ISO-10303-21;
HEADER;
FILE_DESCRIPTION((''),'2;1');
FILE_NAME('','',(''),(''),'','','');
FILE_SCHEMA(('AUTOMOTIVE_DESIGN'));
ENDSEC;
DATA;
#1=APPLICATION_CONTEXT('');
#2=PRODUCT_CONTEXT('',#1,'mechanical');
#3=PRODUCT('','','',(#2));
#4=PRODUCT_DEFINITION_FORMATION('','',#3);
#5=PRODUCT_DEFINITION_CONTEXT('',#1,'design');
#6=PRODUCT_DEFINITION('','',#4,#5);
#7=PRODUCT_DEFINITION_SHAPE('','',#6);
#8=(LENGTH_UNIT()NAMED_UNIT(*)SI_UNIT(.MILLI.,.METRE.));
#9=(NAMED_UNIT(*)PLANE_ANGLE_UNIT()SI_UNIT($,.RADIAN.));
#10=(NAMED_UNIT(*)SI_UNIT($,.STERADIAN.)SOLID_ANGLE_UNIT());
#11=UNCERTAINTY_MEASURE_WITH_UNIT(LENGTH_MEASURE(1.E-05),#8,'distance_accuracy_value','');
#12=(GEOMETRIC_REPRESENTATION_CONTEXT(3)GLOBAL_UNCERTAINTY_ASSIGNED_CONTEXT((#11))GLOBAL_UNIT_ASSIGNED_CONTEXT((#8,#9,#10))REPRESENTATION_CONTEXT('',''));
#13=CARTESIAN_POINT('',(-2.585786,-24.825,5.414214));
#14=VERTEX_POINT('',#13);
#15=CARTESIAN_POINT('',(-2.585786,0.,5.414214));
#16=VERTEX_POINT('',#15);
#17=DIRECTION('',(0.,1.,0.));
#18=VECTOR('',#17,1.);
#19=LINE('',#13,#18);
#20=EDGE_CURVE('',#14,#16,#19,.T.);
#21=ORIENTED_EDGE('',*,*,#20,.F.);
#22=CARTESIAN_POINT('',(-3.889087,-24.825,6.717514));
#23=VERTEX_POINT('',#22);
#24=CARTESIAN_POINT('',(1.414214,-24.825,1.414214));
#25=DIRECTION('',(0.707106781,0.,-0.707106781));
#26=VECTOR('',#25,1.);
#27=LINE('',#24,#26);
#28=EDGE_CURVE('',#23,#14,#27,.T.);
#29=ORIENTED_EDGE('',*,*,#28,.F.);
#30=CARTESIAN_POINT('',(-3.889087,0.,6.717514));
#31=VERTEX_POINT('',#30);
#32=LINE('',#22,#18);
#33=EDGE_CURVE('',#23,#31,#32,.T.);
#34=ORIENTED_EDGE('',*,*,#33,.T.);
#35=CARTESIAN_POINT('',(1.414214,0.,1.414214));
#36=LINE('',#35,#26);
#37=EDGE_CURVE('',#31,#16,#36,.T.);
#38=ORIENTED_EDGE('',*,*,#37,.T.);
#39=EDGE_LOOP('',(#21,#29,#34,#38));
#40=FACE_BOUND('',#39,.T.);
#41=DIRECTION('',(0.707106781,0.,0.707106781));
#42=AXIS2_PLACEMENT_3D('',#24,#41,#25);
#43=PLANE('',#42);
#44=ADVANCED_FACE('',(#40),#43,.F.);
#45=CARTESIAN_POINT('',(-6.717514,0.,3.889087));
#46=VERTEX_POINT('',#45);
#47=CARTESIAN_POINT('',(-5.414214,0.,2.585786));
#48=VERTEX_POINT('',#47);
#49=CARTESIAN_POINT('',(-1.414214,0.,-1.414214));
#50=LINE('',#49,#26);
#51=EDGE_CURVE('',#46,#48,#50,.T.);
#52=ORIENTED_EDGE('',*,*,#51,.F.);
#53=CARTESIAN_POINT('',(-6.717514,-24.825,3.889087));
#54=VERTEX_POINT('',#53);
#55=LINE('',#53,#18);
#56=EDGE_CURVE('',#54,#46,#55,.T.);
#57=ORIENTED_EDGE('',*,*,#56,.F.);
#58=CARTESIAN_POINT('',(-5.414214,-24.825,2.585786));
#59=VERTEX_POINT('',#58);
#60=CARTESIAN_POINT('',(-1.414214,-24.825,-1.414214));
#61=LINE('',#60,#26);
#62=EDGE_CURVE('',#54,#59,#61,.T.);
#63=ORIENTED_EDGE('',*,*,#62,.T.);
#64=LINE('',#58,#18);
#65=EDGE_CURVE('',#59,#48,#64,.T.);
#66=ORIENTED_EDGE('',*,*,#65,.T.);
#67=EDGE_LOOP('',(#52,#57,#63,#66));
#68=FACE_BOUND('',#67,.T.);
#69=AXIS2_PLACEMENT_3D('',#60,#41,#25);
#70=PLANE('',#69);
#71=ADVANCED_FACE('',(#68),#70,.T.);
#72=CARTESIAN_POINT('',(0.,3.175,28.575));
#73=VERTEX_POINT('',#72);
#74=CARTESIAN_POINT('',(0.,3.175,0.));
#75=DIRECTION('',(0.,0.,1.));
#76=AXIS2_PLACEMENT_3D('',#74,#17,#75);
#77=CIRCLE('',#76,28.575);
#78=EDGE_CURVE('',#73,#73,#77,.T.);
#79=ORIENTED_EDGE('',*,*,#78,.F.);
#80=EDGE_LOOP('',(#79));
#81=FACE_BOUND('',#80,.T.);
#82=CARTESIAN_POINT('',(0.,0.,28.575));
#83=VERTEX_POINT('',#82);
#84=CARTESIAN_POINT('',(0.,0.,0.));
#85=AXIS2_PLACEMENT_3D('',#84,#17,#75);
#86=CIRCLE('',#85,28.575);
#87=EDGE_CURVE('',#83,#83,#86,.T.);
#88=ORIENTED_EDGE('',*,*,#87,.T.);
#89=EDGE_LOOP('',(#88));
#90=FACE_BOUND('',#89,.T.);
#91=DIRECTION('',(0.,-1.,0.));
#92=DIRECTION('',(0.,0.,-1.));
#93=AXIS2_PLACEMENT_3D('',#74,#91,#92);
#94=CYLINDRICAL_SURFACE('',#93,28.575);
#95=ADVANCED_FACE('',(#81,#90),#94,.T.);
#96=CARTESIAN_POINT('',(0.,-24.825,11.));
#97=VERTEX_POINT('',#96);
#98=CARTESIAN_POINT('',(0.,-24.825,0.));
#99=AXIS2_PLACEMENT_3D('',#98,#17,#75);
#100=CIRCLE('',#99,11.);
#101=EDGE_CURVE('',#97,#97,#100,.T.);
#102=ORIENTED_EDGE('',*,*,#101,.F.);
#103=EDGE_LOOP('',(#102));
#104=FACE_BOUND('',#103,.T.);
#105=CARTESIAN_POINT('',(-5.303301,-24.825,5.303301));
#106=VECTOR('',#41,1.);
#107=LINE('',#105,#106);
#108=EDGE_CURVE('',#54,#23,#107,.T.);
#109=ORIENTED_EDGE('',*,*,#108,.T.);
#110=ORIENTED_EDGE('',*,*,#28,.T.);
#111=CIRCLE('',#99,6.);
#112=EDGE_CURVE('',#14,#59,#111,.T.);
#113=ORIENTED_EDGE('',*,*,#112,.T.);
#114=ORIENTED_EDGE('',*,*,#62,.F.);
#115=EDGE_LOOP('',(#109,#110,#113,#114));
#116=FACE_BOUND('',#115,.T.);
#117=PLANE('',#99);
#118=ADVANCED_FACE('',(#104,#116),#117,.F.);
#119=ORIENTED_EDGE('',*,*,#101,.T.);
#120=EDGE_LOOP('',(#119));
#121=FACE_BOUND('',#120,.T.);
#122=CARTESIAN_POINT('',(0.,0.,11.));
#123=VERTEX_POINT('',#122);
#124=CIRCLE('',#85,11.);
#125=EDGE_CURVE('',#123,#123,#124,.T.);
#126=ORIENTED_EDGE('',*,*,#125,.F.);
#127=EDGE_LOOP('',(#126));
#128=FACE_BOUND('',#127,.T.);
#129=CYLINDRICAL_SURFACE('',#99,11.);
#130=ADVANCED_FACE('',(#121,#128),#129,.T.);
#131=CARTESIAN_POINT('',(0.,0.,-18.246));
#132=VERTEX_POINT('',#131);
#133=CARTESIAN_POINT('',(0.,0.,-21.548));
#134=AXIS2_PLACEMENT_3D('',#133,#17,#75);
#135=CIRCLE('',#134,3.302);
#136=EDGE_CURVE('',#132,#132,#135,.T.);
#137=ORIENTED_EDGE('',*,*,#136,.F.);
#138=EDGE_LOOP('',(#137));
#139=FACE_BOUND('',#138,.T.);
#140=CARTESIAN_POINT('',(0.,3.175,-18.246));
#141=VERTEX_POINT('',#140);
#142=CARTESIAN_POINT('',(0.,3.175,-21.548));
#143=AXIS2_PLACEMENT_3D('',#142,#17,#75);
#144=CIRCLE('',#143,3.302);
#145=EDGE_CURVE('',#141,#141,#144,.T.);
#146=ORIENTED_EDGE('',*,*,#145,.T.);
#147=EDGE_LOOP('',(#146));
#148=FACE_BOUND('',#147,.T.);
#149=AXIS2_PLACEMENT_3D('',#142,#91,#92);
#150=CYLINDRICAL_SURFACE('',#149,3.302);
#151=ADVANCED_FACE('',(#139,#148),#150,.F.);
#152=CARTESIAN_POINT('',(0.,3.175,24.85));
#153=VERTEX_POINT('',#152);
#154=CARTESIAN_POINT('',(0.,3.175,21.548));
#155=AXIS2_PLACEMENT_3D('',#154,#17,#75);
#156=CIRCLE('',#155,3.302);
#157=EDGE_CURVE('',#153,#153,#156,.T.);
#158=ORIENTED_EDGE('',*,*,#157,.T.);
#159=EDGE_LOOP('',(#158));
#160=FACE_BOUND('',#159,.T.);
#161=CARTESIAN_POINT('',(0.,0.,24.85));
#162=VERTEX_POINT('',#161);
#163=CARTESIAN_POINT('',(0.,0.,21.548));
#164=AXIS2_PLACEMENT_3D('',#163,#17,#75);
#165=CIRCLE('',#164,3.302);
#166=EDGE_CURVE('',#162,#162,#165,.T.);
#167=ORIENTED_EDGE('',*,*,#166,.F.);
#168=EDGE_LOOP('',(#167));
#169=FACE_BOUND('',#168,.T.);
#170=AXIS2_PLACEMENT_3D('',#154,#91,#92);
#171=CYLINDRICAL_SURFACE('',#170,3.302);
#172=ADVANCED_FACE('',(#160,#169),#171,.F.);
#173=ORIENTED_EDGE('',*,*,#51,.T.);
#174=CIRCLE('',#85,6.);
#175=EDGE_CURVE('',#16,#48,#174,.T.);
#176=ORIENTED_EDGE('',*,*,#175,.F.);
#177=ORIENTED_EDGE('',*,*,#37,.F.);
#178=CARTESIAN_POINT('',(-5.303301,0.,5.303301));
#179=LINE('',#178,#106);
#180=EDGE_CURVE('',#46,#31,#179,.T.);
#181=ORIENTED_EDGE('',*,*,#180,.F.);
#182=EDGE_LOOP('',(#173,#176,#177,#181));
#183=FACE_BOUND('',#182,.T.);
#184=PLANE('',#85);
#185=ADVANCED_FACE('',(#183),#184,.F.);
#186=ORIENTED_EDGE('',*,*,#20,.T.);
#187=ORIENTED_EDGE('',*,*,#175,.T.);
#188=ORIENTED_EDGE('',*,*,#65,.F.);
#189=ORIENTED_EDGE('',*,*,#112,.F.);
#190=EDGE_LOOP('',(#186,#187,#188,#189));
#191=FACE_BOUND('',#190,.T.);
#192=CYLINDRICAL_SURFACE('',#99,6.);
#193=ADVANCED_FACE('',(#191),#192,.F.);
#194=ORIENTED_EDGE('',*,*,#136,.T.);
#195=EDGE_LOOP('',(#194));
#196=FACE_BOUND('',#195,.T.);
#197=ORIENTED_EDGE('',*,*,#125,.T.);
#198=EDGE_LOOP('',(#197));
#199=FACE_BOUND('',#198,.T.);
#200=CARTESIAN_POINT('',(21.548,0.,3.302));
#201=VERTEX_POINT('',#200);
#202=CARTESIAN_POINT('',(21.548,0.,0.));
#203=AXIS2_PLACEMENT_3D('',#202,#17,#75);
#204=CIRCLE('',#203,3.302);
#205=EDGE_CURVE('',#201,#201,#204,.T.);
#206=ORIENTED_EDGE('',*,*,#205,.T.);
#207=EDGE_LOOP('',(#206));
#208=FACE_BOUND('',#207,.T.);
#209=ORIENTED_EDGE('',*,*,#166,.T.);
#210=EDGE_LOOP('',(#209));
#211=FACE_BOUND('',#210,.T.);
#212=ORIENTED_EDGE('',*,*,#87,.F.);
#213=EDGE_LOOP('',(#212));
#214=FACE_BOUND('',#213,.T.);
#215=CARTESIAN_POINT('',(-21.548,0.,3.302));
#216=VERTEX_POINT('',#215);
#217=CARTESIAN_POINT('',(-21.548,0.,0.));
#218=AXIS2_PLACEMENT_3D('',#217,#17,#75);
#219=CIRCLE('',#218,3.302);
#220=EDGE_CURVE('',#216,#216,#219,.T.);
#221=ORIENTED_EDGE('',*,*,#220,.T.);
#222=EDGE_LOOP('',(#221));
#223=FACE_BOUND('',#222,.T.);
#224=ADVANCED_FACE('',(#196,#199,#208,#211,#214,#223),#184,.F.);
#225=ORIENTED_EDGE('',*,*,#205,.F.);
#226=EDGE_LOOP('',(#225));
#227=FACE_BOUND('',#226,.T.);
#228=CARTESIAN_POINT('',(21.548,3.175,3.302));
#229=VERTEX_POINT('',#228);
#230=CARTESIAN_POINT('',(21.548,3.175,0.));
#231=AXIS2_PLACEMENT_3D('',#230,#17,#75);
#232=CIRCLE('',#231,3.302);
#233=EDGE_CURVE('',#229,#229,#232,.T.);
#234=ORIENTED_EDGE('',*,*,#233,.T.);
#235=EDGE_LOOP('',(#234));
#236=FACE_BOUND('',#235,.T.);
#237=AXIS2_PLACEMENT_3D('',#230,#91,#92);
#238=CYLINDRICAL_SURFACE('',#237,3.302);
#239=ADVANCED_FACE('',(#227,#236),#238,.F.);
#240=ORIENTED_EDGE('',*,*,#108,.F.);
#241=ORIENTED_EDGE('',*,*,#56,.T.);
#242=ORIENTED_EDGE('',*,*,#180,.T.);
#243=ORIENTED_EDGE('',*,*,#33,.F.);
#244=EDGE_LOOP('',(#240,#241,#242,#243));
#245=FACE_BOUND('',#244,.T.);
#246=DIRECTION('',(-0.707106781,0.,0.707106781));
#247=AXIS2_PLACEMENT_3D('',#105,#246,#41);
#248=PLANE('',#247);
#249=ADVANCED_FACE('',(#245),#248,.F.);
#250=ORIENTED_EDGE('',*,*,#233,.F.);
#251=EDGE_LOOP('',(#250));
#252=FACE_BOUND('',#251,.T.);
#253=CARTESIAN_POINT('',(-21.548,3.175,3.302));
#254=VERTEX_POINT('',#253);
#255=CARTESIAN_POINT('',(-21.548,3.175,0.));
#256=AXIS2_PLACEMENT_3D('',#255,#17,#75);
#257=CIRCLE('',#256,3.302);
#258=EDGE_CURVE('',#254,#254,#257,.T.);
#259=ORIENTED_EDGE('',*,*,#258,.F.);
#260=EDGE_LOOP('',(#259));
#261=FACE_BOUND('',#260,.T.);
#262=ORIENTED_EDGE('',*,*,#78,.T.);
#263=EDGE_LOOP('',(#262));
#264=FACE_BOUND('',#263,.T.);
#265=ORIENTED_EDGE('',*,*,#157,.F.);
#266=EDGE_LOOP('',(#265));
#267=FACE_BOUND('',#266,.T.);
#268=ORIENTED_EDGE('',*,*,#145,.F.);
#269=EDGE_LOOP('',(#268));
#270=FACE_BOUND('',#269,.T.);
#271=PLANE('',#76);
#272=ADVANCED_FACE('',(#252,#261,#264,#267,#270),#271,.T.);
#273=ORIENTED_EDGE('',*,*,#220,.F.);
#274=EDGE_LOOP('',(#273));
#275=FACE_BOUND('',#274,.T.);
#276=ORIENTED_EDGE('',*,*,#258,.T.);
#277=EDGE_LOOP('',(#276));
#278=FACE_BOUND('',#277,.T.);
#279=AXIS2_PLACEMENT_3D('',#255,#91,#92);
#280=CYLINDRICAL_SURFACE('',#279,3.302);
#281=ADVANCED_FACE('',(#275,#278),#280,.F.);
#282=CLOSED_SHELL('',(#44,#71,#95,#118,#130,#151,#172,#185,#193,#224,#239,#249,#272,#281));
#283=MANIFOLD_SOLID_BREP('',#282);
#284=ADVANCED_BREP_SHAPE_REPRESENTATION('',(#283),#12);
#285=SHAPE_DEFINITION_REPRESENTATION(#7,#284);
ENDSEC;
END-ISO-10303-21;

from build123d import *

# Parameters (mm, degrees)
SKETCH1_R           = 28.575
SKETCH1_R_2         = 3.302
SKETCH1_R_3         = 11
BOSS_EXTRUDE1_DEPTH = 3.175
SKETCH1_4_R         = 11
BOSS_EXTRUDE2_DEPTH = 3.175
SKETCH1_5_R         = 11
BOSS_EXTRUDE3_DEPTH = 24.825


with BuildPart() as part:
    # Sketch1 → Boss-Extrude1 (new body)
    with BuildSketch(Plane(origin=(0, 0, 0), x_dir=(1, 0, 0), z_dir=(0, 1, 0))):
        Circle(SKETCH1_R)
        with Locations((0, -21.548)):
            Circle(SKETCH1_R_2, mode=Mode.SUBTRACT)
        with Locations((-21.548, 0)):
            Circle(SKETCH1_R_2, mode=Mode.SUBTRACT)
        Circle(SKETCH1_R_3, mode=Mode.SUBTRACT)
        with BuildLine():
            ThreePointArc((24.85, 0), (21.548, -3.302), (18.246, 0))
            ThreePointArc((18.246, 0), (21.548, 3.302), (24.85, 0))
        make_face(mode=Mode.SUBTRACT)
        with Locations((0, 21.548)):
            Circle(SKETCH1_R_2, mode=Mode.SUBTRACT)
    extrude(amount=BOSS_EXTRUDE1_DEPTH)

    # Sketch1<4> → Boss-Extrude2 (add)
    with BuildSketch(Plane(origin=(0, 0, 0), x_dir=(1, 0, 0), z_dir=(0, 1, 0))):
        Circle(SKETCH1_4_R)
    extrude(amount=BOSS_EXTRUDE2_DEPTH)

    # Sketch1<5> → Boss-Extrude3 (add)
    with BuildSketch(Plane(origin=(0, 0, 0), x_dir=(1, 0, 0), z_dir=(0, 1, 0))):
        Circle(SKETCH1_5_R)
        with BuildLine():
            ThreePointArc((-5.414213562, -2.585786438), (-1.325654296, 5.851721173), (6, 0))
            ThreePointArc((6, 0), (3.200412581, -5.075170865), (-2.585786438, -5.414213562))
            Line((-2.585786438, -5.414213562), (-3.889087297, -6.717514421))
            Line((-3.889087297, -6.717514421), (-6.717514421, -3.889087297))
            Line((-6.717514421, -3.889087297), (-5.414213562, -2.585786438))
        make_face(mode=Mode.SUBTRACT)
    extrude(amount=-BOSS_EXTRUDE3_DEPTH)


solid = part.part
